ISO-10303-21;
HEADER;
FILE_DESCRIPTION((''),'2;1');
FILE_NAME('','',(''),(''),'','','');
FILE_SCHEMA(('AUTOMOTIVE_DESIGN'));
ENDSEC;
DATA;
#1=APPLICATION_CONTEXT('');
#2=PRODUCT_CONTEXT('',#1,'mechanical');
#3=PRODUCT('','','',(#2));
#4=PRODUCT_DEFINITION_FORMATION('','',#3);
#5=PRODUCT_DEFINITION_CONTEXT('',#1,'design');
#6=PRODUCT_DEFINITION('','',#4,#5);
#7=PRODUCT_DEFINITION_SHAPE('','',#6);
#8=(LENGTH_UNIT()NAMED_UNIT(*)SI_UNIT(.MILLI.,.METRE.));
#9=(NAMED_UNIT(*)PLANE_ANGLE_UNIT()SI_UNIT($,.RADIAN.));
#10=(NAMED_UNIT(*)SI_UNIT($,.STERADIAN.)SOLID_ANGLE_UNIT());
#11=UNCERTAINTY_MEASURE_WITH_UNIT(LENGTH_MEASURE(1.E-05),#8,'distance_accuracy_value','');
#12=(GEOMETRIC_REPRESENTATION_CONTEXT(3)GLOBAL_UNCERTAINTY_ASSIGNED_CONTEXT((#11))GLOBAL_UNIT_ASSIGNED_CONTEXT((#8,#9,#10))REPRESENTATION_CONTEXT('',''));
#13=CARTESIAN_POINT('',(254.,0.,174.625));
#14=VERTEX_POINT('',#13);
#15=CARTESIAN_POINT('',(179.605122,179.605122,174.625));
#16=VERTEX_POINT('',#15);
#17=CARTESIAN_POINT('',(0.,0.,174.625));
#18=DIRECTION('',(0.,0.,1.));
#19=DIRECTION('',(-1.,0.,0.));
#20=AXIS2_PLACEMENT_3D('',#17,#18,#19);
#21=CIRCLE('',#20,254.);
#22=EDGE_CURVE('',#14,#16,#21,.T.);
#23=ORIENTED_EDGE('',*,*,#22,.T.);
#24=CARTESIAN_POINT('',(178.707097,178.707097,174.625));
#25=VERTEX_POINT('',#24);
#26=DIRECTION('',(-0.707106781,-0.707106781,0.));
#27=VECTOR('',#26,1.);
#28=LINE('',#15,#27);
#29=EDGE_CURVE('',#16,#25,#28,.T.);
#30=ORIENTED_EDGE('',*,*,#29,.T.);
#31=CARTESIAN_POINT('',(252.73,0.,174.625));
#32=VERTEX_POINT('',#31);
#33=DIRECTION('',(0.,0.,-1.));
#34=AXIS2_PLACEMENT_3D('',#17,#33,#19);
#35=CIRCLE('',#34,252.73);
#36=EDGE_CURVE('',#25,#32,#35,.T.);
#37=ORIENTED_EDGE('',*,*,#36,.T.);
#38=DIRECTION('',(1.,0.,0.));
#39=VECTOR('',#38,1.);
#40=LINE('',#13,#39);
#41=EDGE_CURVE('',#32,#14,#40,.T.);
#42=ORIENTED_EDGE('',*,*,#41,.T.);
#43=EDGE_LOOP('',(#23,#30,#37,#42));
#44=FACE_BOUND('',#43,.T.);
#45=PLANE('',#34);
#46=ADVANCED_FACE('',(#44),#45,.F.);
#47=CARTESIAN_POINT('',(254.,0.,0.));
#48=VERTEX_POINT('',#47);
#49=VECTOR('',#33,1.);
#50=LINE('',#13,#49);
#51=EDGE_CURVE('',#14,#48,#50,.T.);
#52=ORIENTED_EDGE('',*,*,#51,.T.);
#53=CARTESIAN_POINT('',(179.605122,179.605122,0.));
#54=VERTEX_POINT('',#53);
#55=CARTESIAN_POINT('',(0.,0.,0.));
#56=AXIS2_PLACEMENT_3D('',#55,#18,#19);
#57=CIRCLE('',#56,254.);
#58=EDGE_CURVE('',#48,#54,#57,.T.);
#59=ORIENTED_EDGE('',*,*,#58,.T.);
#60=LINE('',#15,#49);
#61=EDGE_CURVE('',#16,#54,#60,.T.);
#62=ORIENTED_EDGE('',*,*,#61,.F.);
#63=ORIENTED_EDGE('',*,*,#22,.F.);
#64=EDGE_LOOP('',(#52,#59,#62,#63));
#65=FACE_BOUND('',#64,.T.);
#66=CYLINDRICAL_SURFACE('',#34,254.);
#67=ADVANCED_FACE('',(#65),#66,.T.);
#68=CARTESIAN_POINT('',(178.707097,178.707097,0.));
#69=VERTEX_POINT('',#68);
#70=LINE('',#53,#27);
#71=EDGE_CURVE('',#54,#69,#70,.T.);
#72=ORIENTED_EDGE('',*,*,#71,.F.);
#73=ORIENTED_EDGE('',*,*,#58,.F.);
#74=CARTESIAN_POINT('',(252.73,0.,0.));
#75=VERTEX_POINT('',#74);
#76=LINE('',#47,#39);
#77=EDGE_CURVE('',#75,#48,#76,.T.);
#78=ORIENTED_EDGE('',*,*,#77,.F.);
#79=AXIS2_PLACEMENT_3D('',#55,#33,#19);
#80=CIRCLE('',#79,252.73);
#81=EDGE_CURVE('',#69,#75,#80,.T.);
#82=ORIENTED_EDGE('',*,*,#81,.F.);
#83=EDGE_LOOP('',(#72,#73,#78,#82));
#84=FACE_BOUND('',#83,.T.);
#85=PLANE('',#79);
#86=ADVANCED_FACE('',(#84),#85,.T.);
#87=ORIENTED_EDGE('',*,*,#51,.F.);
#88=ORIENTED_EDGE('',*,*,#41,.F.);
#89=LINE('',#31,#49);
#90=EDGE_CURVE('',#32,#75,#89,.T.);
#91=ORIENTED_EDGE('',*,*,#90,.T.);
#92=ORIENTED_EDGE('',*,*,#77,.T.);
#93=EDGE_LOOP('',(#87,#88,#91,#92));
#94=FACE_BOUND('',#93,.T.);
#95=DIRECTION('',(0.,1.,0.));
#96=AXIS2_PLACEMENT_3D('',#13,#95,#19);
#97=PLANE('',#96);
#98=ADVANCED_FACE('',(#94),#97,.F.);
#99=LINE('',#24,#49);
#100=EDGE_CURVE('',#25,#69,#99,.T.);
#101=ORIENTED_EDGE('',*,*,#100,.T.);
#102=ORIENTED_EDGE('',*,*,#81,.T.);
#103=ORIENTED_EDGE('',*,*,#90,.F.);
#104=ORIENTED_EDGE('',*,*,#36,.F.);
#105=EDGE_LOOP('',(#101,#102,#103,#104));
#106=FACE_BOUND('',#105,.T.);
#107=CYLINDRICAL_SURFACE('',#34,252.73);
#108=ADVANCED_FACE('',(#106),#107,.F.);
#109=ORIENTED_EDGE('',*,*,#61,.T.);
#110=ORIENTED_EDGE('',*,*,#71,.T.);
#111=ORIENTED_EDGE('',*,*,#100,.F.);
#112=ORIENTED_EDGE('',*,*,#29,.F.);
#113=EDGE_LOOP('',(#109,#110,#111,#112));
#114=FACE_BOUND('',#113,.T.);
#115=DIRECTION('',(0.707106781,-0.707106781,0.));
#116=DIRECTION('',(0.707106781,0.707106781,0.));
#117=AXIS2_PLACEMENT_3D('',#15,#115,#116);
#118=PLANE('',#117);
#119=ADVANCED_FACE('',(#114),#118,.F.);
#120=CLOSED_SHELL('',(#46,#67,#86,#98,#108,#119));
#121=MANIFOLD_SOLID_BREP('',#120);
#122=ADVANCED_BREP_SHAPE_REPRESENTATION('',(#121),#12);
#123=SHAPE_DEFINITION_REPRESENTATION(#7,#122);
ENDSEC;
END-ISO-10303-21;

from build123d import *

# Parameters (mm, degrees)
BOSS_EXTRUDE1_DEPTH = 174.625


with BuildPart() as part:
    # Sketch1 → Boss-Extrude1 (new body)
    with BuildSketch(Plane.XY):
        with BuildLine():
            Line((179.605122421, 179.605122421), (178.707096809, 178.707096809))
            ThreePointArc((178.707096809, 178.707096809), (233.492074252, 96.715583862), (252.73, 0))
            Line((252.73, 0), (254, 0))
            ThreePointArc((254, 0), (234.665401258, 97.201591821), (179.605122421, 179.605122421))
        make_face()
    extrude(amount=BOSS_EXTRUDE1_DEPTH)


solid = part.part
